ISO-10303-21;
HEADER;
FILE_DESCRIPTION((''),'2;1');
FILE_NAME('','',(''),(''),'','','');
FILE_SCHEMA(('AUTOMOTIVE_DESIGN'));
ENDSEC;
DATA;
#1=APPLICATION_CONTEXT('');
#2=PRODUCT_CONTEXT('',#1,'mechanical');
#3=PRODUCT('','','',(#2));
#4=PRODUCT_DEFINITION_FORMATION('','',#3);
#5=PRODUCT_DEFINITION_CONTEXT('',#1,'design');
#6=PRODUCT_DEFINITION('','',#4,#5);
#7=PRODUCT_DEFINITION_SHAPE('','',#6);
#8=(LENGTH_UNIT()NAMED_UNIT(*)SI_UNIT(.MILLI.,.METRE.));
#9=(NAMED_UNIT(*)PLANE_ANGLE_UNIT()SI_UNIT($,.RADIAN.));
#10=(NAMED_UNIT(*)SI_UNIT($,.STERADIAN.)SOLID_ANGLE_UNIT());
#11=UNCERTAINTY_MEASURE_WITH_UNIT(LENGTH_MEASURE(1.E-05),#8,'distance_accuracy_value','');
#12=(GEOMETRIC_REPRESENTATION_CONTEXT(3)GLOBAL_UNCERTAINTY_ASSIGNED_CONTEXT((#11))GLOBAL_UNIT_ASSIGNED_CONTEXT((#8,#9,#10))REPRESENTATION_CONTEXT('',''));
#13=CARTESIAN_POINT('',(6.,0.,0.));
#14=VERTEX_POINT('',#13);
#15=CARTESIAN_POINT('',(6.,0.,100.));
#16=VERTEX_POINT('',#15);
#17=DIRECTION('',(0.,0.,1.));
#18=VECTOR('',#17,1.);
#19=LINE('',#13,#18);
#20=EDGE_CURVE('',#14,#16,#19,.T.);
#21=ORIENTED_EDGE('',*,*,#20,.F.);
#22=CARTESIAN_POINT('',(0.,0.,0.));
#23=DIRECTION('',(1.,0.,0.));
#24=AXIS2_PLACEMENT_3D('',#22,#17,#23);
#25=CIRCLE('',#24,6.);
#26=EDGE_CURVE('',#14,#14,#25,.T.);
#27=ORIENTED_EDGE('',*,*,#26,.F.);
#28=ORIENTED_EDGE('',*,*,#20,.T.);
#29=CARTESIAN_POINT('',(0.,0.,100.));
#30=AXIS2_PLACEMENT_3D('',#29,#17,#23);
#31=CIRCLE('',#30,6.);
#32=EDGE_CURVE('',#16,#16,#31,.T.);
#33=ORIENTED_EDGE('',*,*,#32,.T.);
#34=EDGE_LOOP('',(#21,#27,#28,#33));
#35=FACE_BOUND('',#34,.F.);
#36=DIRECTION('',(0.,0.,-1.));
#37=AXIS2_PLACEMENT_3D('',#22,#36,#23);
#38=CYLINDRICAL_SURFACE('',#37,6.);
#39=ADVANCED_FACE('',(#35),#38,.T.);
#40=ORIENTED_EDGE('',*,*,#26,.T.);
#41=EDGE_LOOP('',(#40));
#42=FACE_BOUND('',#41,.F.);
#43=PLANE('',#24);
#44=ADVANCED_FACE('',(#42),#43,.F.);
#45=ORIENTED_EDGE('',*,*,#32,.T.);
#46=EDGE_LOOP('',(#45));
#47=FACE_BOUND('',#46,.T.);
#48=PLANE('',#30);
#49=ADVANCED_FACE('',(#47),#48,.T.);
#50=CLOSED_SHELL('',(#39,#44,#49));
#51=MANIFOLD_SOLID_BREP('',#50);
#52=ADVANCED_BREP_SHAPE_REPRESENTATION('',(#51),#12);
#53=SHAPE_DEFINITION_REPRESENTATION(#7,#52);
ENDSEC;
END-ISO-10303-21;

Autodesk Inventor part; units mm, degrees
ref_plane "YZ Plane" through (0, 0, 0) normal (1, 0, 0) x (0, 1, 0)
ref_plane "XZ Plane" through (0, 0, 0) normal (0, 1, 0) x (-1, 0, 0)
ref_plane "XY Plane" through (0, 0, 0) normal (0, 0, 1) x (1, 0, 0)
sketch "Sketch1" plane through (0, 0, 0) normal (0, 0, 1) x (1, 0, 0)
  circle A0 centre (0, 0) radius 6
  dimension "d0" = 12
extrude "Extrusion1" add sketch "Sketch1" along normal blind 100
properties part number "WA001" material "Stainless Steel"
